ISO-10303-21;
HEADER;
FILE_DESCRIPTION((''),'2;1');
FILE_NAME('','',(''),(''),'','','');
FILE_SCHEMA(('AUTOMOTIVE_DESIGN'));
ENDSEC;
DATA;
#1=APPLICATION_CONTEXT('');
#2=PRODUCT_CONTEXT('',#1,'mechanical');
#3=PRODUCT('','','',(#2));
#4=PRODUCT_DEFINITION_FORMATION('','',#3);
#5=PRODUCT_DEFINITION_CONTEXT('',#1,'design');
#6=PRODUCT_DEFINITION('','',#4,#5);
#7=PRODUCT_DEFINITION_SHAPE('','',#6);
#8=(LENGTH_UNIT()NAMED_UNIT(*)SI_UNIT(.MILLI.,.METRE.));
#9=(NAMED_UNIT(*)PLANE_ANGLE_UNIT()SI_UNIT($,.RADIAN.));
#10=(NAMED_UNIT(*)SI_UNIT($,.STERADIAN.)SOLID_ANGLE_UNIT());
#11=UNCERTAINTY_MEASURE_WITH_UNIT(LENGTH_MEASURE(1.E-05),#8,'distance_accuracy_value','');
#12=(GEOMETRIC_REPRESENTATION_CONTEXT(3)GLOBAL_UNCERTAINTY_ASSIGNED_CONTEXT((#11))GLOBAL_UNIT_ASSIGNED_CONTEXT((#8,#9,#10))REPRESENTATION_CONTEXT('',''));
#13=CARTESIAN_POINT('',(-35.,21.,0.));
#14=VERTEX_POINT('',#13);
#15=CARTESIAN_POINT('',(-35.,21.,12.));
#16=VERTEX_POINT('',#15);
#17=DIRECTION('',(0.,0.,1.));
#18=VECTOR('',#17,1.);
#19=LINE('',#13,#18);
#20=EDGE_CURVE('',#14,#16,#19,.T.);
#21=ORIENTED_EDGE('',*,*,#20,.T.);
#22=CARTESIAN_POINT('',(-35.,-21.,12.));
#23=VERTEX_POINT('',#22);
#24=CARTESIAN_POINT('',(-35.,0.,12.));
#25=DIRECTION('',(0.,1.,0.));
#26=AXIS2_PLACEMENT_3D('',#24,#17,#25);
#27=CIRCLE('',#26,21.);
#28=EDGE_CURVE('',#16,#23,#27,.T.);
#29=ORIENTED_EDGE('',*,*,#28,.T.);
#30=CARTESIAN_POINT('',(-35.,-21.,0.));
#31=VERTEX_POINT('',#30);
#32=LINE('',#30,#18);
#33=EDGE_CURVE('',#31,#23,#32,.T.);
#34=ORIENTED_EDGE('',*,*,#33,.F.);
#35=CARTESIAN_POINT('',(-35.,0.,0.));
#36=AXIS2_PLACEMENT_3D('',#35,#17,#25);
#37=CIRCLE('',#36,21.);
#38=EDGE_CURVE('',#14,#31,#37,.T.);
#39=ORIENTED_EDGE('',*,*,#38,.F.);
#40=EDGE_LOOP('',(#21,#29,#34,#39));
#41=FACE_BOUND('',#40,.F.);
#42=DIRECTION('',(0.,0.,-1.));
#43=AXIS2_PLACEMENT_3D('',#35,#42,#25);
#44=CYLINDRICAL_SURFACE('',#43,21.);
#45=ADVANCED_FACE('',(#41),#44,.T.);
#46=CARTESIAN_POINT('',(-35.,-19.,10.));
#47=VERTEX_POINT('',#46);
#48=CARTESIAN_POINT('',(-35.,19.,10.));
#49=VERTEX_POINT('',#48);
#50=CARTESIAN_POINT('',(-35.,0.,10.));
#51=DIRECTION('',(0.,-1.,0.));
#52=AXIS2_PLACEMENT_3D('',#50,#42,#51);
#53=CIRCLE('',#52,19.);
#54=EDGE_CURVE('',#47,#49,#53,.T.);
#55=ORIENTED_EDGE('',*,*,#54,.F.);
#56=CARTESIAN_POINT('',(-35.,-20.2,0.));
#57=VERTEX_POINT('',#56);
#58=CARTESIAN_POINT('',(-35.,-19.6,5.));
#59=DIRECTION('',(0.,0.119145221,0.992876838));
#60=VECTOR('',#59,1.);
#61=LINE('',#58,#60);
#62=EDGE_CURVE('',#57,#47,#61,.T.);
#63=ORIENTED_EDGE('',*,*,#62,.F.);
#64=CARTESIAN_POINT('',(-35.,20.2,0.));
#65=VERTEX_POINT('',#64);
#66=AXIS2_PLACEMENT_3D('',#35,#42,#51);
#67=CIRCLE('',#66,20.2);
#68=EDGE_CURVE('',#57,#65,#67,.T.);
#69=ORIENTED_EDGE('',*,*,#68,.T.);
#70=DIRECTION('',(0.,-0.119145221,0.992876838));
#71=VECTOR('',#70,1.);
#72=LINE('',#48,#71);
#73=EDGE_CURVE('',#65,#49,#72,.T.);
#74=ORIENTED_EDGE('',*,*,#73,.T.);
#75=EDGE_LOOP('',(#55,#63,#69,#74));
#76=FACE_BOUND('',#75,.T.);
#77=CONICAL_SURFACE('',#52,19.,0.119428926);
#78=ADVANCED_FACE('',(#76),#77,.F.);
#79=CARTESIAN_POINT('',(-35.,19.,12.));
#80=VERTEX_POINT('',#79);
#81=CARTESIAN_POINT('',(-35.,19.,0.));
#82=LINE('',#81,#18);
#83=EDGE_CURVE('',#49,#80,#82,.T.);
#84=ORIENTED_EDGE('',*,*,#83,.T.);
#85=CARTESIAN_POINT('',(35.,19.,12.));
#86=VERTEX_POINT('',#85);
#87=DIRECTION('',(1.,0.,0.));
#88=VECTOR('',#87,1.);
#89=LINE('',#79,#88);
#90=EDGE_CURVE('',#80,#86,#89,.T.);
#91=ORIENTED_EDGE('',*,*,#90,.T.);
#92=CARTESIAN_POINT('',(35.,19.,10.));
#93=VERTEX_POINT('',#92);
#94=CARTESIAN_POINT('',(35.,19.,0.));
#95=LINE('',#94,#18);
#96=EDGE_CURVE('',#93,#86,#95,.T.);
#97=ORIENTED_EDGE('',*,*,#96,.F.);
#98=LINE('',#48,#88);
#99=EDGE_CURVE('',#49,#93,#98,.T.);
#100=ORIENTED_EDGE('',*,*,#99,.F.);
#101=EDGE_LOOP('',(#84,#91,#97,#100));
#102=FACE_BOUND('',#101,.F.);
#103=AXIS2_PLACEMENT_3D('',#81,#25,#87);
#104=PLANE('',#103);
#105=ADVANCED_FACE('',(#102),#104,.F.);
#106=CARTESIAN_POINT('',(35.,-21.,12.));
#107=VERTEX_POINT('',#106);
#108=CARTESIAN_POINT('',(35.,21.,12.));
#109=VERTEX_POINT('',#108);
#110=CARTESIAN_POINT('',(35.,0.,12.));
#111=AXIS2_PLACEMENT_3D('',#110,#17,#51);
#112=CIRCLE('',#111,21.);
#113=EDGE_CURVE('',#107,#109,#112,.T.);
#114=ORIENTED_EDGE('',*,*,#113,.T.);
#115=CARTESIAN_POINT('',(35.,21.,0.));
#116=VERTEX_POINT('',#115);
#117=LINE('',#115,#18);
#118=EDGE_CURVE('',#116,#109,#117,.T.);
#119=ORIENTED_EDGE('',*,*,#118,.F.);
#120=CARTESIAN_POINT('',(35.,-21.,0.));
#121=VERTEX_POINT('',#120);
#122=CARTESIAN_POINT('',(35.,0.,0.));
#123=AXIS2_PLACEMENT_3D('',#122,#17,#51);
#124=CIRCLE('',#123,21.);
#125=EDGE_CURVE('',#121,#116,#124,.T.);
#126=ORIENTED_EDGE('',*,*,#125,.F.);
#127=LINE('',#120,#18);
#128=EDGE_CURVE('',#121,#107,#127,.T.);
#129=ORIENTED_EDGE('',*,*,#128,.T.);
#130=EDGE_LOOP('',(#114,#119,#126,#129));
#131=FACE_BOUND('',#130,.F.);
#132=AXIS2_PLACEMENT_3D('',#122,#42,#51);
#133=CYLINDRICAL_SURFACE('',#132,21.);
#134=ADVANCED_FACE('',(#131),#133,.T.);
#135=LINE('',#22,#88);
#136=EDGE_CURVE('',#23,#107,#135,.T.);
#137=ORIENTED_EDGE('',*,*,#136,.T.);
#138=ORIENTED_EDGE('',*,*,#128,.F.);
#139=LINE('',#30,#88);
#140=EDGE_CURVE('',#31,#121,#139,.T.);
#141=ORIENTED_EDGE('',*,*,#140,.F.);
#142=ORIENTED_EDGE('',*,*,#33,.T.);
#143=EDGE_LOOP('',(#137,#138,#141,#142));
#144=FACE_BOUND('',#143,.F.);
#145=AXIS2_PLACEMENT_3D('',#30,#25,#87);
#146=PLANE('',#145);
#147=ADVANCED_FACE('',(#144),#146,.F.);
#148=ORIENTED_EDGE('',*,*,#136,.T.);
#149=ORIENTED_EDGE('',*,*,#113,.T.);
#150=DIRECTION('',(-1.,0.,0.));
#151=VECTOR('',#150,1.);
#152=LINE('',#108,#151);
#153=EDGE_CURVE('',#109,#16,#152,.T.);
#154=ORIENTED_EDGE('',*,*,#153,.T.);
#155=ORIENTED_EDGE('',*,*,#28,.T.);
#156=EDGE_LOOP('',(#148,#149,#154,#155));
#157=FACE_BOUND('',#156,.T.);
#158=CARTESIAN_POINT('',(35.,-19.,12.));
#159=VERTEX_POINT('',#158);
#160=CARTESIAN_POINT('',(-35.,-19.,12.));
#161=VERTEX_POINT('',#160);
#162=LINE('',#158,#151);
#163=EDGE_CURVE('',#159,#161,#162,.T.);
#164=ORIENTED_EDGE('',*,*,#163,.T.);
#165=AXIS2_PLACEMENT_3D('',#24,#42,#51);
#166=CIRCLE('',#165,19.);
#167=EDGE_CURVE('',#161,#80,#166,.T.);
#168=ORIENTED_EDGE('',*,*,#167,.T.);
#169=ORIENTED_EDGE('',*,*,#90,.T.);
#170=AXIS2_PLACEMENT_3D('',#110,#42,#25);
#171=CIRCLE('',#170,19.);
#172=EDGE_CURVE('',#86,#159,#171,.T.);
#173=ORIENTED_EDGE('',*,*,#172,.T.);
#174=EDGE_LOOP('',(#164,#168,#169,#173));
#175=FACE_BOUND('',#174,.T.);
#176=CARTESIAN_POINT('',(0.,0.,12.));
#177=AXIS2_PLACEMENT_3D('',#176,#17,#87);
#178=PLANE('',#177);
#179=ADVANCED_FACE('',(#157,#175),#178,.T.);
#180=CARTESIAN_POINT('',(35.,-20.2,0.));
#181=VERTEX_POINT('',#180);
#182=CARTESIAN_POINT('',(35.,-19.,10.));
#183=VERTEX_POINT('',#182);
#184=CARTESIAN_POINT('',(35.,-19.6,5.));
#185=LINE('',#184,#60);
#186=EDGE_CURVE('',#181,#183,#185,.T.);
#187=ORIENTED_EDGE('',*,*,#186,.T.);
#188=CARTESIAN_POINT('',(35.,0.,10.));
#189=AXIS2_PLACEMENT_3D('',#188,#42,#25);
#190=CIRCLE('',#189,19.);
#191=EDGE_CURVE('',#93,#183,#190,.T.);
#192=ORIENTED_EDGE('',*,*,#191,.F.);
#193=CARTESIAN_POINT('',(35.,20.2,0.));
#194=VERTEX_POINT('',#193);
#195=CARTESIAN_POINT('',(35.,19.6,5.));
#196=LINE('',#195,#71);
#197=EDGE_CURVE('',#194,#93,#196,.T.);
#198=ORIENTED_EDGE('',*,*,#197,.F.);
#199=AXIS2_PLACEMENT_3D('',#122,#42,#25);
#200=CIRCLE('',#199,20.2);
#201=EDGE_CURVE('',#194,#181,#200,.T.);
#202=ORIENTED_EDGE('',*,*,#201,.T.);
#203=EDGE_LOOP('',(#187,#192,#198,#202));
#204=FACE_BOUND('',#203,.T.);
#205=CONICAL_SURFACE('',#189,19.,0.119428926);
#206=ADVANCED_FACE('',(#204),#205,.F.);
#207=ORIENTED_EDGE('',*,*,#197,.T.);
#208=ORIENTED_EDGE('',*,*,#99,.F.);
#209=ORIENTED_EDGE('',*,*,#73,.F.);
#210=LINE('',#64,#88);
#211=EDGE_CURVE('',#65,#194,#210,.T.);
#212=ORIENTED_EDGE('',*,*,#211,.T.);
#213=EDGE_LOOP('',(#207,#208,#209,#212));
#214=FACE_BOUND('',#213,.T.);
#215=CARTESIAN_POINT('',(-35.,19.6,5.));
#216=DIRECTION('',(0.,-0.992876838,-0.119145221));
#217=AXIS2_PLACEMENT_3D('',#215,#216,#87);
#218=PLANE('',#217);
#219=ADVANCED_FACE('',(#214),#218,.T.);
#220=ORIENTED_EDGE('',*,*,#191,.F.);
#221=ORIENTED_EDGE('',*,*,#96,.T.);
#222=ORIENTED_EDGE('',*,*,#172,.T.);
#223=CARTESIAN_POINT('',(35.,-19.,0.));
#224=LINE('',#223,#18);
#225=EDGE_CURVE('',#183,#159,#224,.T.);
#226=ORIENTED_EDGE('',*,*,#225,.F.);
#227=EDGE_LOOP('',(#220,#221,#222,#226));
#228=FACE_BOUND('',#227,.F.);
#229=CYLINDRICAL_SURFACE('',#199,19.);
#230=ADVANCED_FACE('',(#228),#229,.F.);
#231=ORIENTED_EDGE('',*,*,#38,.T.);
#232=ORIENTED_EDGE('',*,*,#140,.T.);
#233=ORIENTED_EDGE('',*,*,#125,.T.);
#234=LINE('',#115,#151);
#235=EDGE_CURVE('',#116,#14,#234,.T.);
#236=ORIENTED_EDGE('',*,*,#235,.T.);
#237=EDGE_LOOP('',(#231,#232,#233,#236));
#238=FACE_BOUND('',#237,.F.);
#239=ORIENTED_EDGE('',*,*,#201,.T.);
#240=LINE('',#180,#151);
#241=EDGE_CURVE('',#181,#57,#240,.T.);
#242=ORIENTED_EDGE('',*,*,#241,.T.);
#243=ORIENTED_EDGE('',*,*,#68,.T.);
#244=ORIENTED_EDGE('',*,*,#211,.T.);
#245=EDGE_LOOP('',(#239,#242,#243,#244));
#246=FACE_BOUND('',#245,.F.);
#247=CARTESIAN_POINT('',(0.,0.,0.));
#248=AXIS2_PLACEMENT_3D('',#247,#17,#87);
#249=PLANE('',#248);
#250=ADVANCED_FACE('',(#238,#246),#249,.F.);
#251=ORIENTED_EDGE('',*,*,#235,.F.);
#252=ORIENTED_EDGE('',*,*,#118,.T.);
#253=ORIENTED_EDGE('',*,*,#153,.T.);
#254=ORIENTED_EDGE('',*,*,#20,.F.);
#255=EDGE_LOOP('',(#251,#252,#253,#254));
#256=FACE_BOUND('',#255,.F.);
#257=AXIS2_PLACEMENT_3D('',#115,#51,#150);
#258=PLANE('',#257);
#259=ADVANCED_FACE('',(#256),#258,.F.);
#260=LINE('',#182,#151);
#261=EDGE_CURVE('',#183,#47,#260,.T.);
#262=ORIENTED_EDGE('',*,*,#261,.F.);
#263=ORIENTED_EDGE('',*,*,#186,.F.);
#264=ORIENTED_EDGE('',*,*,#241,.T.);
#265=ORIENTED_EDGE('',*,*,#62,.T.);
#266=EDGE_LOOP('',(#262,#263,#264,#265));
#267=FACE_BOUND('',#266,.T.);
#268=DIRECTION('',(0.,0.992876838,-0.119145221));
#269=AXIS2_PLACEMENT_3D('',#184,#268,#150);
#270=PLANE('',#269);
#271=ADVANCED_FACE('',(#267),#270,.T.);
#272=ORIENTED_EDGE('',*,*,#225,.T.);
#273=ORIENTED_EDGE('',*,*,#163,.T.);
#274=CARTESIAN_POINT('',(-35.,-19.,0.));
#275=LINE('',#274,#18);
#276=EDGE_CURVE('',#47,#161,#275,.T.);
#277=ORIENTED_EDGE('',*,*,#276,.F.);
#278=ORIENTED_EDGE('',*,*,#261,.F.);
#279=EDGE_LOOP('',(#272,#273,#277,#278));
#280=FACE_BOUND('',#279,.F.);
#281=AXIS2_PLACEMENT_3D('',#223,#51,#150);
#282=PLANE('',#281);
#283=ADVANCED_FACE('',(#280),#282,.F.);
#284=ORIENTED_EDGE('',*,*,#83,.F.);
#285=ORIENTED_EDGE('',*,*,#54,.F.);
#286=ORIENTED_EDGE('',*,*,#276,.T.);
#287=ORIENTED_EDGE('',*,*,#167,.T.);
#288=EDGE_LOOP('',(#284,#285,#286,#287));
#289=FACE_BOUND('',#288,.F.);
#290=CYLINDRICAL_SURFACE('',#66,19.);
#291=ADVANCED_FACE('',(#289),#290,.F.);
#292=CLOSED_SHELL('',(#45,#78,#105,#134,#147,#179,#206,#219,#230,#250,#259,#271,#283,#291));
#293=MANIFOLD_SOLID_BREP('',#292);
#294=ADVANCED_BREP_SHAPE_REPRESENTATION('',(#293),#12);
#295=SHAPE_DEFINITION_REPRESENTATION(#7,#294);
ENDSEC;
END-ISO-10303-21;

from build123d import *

# Parameters (mm, degrees)
F1_DEPTH = 12
F2_SIZE2 = 10
F2_SIZE  = 1.2


with BuildPart() as f1:
    # F0 (on Top) → F1 (new body)
    with BuildSketch(Plane.XY):
        with BuildLine():
            Line((35, 21), (-35, 21))
            ThreePointArc((-35, 21), (-56, 0), (-35, -21))
            Line((-35, -21), (35, -21))
            ThreePointArc((35, -21), (56, 0), (35, 21))
        make_face()
        with BuildLine():
            Line((35, -19), (-35, -19))
            ThreePointArc((-35, -19), (-54, 0), (-35, 19))
            Line((-35, 19), (35, 19))
            ThreePointArc((35, 19), (54, 0), (35, -19))
        make_face(mode=Mode.SUBTRACT)
    extrude(amount=F1_DEPTH)

    # F2
    f2_edges = [f1.edges().sort_by_distance(p)[0] for p in [
        (0, -19, 0),
    ]]
    f2_side = f1.faces().sort_by_distance((0, 19.803839, 0))[0]
    chamfer(f2_edges, length=F2_SIZE, length2=F2_SIZE2, reference=f2_side)


solid = f1.part
